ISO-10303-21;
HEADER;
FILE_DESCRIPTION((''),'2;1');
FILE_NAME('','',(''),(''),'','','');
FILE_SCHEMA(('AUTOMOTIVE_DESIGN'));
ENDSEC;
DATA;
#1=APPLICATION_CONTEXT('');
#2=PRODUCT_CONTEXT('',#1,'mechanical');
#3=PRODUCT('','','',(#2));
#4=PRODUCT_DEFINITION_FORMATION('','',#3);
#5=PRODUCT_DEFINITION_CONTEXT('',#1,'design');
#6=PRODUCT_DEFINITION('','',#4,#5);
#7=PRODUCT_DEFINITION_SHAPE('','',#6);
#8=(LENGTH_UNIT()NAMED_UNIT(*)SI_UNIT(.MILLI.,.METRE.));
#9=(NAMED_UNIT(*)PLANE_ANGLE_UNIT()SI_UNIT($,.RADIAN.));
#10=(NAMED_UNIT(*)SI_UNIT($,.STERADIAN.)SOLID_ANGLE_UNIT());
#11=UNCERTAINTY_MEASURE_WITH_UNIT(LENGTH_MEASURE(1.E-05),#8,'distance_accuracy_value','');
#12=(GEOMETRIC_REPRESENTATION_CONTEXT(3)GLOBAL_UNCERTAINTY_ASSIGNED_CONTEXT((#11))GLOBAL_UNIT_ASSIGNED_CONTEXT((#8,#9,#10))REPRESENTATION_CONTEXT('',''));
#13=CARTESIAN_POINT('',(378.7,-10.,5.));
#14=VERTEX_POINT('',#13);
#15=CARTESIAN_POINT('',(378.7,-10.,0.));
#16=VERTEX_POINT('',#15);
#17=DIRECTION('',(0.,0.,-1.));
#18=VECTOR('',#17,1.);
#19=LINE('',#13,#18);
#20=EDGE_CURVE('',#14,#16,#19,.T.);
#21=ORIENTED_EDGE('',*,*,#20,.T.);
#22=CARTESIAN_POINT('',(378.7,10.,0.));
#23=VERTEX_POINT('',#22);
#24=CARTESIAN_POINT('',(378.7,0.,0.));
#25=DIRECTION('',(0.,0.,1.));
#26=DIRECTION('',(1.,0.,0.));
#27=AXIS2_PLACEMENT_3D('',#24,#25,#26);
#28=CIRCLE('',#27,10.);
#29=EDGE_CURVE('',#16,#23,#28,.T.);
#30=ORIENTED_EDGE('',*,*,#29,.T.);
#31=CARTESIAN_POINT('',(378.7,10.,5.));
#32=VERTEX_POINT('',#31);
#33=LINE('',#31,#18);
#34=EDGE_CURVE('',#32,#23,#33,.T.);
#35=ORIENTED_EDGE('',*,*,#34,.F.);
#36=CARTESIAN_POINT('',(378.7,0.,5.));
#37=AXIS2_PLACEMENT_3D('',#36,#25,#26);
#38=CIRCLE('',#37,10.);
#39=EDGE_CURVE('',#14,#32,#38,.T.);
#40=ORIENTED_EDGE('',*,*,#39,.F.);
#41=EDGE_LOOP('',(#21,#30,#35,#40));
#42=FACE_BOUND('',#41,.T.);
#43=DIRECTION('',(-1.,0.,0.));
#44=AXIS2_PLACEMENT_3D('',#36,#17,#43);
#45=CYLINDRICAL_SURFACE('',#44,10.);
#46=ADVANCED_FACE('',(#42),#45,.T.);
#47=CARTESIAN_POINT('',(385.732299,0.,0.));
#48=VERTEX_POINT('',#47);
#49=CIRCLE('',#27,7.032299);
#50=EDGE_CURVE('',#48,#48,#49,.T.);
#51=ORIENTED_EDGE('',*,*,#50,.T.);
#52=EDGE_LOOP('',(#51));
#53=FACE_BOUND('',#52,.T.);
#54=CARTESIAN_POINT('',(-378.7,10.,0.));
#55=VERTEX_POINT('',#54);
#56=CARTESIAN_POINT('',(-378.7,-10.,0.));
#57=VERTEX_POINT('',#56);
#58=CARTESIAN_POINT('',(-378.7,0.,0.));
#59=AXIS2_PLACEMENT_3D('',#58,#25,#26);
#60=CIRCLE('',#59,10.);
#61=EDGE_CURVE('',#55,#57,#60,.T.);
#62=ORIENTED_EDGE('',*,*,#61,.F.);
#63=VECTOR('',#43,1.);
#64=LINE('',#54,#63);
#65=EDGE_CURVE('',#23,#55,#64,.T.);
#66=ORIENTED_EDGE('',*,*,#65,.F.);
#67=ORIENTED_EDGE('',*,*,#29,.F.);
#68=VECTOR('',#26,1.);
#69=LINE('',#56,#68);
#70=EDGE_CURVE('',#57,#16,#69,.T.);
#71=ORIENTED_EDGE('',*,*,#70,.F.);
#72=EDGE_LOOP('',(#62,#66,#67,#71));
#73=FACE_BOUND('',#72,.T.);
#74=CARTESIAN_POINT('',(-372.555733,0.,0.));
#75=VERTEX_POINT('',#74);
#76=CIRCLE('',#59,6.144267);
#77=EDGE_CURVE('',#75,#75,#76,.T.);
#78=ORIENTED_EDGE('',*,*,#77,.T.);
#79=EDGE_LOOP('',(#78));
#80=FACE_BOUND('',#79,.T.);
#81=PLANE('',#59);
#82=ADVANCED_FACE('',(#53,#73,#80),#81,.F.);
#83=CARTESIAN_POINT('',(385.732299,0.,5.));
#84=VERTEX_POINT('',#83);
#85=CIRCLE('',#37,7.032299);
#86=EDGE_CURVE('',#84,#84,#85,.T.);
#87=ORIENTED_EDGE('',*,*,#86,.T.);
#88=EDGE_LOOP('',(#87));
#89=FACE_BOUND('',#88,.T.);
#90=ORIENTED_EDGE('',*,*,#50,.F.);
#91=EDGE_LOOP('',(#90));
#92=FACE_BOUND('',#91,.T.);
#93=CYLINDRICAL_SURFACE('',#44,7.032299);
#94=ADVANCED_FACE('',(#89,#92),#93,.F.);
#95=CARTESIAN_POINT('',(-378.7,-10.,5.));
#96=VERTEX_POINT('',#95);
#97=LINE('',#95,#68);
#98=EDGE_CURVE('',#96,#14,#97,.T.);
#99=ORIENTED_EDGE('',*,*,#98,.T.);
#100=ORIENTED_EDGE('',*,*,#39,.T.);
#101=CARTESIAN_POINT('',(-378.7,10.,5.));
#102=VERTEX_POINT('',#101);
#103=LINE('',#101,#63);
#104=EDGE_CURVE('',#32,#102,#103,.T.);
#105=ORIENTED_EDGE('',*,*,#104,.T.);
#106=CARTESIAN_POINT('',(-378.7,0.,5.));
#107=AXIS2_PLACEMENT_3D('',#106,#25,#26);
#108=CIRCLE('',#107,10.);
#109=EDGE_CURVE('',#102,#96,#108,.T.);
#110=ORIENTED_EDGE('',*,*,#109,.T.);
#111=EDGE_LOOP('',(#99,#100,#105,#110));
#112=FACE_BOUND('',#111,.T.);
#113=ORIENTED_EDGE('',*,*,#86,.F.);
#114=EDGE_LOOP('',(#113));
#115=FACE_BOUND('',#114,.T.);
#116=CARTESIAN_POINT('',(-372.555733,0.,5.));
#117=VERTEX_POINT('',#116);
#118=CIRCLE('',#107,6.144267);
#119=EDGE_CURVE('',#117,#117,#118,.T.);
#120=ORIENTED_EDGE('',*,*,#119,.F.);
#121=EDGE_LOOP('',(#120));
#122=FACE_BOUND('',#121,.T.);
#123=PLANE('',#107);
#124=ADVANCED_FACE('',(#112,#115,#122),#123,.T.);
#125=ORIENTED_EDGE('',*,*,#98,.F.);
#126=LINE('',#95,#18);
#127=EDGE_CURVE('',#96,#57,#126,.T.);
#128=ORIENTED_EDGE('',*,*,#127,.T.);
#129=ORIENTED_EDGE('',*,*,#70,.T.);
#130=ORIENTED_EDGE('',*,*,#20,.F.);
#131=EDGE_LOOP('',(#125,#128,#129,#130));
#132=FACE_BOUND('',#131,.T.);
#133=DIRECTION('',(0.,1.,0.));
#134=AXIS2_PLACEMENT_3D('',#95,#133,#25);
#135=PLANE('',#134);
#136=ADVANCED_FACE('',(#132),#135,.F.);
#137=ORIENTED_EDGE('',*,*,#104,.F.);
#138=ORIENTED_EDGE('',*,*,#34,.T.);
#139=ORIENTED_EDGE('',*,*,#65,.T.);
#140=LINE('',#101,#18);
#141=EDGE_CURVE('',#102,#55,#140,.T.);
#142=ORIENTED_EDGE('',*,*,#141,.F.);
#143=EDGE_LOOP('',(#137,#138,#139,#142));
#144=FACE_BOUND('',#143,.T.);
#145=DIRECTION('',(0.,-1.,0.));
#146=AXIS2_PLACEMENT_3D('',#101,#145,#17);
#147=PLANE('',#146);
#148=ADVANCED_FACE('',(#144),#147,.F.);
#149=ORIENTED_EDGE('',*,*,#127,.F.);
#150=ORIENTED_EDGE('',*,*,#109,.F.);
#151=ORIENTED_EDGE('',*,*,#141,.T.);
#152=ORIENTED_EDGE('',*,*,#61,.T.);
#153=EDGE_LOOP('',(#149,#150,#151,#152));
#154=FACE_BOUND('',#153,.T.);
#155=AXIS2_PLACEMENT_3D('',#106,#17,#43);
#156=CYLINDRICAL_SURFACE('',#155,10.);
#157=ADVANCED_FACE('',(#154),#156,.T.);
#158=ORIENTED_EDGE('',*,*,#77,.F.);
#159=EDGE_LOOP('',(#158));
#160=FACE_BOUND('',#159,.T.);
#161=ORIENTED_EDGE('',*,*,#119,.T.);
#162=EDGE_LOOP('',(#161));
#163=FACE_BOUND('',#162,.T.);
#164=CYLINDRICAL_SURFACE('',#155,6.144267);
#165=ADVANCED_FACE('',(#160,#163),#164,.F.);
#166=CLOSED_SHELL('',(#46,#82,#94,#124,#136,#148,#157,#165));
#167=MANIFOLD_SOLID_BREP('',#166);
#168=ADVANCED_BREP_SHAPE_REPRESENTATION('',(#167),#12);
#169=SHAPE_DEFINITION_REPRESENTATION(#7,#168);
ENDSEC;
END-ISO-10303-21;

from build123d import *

# Parameters (mm, degrees)
SKETCH_1_R      = 7.032299157
SKETCH_1_R_2    = 6.144266803
EXTRUDE_1_DEPTH = 5


with BuildPart() as part:
    # 草图1 → 凸台-拉伸1 (new body)
    with BuildSketch(Plane.XY):
        with BuildLine():
            Line((-378.7, 10), (378.7, 10))
            ThreePointArc((378.7, 10), (388.7, 0), (378.7, -10))
            Line((378.7, -10), (-378.7, -10))
            ThreePointArc((-378.7, -10), (-388.7, 0), (-378.7, 10))
        make_face()
        with Locations((378.7, 0)):
            Circle(SKETCH_1_R, mode=Mode.SUBTRACT)
        with Locations((-378.7, 0)):
            Circle(SKETCH_1_R_2, mode=Mode.SUBTRACT)
    extrude(amount=EXTRUDE_1_DEPTH)


solid = part.part
